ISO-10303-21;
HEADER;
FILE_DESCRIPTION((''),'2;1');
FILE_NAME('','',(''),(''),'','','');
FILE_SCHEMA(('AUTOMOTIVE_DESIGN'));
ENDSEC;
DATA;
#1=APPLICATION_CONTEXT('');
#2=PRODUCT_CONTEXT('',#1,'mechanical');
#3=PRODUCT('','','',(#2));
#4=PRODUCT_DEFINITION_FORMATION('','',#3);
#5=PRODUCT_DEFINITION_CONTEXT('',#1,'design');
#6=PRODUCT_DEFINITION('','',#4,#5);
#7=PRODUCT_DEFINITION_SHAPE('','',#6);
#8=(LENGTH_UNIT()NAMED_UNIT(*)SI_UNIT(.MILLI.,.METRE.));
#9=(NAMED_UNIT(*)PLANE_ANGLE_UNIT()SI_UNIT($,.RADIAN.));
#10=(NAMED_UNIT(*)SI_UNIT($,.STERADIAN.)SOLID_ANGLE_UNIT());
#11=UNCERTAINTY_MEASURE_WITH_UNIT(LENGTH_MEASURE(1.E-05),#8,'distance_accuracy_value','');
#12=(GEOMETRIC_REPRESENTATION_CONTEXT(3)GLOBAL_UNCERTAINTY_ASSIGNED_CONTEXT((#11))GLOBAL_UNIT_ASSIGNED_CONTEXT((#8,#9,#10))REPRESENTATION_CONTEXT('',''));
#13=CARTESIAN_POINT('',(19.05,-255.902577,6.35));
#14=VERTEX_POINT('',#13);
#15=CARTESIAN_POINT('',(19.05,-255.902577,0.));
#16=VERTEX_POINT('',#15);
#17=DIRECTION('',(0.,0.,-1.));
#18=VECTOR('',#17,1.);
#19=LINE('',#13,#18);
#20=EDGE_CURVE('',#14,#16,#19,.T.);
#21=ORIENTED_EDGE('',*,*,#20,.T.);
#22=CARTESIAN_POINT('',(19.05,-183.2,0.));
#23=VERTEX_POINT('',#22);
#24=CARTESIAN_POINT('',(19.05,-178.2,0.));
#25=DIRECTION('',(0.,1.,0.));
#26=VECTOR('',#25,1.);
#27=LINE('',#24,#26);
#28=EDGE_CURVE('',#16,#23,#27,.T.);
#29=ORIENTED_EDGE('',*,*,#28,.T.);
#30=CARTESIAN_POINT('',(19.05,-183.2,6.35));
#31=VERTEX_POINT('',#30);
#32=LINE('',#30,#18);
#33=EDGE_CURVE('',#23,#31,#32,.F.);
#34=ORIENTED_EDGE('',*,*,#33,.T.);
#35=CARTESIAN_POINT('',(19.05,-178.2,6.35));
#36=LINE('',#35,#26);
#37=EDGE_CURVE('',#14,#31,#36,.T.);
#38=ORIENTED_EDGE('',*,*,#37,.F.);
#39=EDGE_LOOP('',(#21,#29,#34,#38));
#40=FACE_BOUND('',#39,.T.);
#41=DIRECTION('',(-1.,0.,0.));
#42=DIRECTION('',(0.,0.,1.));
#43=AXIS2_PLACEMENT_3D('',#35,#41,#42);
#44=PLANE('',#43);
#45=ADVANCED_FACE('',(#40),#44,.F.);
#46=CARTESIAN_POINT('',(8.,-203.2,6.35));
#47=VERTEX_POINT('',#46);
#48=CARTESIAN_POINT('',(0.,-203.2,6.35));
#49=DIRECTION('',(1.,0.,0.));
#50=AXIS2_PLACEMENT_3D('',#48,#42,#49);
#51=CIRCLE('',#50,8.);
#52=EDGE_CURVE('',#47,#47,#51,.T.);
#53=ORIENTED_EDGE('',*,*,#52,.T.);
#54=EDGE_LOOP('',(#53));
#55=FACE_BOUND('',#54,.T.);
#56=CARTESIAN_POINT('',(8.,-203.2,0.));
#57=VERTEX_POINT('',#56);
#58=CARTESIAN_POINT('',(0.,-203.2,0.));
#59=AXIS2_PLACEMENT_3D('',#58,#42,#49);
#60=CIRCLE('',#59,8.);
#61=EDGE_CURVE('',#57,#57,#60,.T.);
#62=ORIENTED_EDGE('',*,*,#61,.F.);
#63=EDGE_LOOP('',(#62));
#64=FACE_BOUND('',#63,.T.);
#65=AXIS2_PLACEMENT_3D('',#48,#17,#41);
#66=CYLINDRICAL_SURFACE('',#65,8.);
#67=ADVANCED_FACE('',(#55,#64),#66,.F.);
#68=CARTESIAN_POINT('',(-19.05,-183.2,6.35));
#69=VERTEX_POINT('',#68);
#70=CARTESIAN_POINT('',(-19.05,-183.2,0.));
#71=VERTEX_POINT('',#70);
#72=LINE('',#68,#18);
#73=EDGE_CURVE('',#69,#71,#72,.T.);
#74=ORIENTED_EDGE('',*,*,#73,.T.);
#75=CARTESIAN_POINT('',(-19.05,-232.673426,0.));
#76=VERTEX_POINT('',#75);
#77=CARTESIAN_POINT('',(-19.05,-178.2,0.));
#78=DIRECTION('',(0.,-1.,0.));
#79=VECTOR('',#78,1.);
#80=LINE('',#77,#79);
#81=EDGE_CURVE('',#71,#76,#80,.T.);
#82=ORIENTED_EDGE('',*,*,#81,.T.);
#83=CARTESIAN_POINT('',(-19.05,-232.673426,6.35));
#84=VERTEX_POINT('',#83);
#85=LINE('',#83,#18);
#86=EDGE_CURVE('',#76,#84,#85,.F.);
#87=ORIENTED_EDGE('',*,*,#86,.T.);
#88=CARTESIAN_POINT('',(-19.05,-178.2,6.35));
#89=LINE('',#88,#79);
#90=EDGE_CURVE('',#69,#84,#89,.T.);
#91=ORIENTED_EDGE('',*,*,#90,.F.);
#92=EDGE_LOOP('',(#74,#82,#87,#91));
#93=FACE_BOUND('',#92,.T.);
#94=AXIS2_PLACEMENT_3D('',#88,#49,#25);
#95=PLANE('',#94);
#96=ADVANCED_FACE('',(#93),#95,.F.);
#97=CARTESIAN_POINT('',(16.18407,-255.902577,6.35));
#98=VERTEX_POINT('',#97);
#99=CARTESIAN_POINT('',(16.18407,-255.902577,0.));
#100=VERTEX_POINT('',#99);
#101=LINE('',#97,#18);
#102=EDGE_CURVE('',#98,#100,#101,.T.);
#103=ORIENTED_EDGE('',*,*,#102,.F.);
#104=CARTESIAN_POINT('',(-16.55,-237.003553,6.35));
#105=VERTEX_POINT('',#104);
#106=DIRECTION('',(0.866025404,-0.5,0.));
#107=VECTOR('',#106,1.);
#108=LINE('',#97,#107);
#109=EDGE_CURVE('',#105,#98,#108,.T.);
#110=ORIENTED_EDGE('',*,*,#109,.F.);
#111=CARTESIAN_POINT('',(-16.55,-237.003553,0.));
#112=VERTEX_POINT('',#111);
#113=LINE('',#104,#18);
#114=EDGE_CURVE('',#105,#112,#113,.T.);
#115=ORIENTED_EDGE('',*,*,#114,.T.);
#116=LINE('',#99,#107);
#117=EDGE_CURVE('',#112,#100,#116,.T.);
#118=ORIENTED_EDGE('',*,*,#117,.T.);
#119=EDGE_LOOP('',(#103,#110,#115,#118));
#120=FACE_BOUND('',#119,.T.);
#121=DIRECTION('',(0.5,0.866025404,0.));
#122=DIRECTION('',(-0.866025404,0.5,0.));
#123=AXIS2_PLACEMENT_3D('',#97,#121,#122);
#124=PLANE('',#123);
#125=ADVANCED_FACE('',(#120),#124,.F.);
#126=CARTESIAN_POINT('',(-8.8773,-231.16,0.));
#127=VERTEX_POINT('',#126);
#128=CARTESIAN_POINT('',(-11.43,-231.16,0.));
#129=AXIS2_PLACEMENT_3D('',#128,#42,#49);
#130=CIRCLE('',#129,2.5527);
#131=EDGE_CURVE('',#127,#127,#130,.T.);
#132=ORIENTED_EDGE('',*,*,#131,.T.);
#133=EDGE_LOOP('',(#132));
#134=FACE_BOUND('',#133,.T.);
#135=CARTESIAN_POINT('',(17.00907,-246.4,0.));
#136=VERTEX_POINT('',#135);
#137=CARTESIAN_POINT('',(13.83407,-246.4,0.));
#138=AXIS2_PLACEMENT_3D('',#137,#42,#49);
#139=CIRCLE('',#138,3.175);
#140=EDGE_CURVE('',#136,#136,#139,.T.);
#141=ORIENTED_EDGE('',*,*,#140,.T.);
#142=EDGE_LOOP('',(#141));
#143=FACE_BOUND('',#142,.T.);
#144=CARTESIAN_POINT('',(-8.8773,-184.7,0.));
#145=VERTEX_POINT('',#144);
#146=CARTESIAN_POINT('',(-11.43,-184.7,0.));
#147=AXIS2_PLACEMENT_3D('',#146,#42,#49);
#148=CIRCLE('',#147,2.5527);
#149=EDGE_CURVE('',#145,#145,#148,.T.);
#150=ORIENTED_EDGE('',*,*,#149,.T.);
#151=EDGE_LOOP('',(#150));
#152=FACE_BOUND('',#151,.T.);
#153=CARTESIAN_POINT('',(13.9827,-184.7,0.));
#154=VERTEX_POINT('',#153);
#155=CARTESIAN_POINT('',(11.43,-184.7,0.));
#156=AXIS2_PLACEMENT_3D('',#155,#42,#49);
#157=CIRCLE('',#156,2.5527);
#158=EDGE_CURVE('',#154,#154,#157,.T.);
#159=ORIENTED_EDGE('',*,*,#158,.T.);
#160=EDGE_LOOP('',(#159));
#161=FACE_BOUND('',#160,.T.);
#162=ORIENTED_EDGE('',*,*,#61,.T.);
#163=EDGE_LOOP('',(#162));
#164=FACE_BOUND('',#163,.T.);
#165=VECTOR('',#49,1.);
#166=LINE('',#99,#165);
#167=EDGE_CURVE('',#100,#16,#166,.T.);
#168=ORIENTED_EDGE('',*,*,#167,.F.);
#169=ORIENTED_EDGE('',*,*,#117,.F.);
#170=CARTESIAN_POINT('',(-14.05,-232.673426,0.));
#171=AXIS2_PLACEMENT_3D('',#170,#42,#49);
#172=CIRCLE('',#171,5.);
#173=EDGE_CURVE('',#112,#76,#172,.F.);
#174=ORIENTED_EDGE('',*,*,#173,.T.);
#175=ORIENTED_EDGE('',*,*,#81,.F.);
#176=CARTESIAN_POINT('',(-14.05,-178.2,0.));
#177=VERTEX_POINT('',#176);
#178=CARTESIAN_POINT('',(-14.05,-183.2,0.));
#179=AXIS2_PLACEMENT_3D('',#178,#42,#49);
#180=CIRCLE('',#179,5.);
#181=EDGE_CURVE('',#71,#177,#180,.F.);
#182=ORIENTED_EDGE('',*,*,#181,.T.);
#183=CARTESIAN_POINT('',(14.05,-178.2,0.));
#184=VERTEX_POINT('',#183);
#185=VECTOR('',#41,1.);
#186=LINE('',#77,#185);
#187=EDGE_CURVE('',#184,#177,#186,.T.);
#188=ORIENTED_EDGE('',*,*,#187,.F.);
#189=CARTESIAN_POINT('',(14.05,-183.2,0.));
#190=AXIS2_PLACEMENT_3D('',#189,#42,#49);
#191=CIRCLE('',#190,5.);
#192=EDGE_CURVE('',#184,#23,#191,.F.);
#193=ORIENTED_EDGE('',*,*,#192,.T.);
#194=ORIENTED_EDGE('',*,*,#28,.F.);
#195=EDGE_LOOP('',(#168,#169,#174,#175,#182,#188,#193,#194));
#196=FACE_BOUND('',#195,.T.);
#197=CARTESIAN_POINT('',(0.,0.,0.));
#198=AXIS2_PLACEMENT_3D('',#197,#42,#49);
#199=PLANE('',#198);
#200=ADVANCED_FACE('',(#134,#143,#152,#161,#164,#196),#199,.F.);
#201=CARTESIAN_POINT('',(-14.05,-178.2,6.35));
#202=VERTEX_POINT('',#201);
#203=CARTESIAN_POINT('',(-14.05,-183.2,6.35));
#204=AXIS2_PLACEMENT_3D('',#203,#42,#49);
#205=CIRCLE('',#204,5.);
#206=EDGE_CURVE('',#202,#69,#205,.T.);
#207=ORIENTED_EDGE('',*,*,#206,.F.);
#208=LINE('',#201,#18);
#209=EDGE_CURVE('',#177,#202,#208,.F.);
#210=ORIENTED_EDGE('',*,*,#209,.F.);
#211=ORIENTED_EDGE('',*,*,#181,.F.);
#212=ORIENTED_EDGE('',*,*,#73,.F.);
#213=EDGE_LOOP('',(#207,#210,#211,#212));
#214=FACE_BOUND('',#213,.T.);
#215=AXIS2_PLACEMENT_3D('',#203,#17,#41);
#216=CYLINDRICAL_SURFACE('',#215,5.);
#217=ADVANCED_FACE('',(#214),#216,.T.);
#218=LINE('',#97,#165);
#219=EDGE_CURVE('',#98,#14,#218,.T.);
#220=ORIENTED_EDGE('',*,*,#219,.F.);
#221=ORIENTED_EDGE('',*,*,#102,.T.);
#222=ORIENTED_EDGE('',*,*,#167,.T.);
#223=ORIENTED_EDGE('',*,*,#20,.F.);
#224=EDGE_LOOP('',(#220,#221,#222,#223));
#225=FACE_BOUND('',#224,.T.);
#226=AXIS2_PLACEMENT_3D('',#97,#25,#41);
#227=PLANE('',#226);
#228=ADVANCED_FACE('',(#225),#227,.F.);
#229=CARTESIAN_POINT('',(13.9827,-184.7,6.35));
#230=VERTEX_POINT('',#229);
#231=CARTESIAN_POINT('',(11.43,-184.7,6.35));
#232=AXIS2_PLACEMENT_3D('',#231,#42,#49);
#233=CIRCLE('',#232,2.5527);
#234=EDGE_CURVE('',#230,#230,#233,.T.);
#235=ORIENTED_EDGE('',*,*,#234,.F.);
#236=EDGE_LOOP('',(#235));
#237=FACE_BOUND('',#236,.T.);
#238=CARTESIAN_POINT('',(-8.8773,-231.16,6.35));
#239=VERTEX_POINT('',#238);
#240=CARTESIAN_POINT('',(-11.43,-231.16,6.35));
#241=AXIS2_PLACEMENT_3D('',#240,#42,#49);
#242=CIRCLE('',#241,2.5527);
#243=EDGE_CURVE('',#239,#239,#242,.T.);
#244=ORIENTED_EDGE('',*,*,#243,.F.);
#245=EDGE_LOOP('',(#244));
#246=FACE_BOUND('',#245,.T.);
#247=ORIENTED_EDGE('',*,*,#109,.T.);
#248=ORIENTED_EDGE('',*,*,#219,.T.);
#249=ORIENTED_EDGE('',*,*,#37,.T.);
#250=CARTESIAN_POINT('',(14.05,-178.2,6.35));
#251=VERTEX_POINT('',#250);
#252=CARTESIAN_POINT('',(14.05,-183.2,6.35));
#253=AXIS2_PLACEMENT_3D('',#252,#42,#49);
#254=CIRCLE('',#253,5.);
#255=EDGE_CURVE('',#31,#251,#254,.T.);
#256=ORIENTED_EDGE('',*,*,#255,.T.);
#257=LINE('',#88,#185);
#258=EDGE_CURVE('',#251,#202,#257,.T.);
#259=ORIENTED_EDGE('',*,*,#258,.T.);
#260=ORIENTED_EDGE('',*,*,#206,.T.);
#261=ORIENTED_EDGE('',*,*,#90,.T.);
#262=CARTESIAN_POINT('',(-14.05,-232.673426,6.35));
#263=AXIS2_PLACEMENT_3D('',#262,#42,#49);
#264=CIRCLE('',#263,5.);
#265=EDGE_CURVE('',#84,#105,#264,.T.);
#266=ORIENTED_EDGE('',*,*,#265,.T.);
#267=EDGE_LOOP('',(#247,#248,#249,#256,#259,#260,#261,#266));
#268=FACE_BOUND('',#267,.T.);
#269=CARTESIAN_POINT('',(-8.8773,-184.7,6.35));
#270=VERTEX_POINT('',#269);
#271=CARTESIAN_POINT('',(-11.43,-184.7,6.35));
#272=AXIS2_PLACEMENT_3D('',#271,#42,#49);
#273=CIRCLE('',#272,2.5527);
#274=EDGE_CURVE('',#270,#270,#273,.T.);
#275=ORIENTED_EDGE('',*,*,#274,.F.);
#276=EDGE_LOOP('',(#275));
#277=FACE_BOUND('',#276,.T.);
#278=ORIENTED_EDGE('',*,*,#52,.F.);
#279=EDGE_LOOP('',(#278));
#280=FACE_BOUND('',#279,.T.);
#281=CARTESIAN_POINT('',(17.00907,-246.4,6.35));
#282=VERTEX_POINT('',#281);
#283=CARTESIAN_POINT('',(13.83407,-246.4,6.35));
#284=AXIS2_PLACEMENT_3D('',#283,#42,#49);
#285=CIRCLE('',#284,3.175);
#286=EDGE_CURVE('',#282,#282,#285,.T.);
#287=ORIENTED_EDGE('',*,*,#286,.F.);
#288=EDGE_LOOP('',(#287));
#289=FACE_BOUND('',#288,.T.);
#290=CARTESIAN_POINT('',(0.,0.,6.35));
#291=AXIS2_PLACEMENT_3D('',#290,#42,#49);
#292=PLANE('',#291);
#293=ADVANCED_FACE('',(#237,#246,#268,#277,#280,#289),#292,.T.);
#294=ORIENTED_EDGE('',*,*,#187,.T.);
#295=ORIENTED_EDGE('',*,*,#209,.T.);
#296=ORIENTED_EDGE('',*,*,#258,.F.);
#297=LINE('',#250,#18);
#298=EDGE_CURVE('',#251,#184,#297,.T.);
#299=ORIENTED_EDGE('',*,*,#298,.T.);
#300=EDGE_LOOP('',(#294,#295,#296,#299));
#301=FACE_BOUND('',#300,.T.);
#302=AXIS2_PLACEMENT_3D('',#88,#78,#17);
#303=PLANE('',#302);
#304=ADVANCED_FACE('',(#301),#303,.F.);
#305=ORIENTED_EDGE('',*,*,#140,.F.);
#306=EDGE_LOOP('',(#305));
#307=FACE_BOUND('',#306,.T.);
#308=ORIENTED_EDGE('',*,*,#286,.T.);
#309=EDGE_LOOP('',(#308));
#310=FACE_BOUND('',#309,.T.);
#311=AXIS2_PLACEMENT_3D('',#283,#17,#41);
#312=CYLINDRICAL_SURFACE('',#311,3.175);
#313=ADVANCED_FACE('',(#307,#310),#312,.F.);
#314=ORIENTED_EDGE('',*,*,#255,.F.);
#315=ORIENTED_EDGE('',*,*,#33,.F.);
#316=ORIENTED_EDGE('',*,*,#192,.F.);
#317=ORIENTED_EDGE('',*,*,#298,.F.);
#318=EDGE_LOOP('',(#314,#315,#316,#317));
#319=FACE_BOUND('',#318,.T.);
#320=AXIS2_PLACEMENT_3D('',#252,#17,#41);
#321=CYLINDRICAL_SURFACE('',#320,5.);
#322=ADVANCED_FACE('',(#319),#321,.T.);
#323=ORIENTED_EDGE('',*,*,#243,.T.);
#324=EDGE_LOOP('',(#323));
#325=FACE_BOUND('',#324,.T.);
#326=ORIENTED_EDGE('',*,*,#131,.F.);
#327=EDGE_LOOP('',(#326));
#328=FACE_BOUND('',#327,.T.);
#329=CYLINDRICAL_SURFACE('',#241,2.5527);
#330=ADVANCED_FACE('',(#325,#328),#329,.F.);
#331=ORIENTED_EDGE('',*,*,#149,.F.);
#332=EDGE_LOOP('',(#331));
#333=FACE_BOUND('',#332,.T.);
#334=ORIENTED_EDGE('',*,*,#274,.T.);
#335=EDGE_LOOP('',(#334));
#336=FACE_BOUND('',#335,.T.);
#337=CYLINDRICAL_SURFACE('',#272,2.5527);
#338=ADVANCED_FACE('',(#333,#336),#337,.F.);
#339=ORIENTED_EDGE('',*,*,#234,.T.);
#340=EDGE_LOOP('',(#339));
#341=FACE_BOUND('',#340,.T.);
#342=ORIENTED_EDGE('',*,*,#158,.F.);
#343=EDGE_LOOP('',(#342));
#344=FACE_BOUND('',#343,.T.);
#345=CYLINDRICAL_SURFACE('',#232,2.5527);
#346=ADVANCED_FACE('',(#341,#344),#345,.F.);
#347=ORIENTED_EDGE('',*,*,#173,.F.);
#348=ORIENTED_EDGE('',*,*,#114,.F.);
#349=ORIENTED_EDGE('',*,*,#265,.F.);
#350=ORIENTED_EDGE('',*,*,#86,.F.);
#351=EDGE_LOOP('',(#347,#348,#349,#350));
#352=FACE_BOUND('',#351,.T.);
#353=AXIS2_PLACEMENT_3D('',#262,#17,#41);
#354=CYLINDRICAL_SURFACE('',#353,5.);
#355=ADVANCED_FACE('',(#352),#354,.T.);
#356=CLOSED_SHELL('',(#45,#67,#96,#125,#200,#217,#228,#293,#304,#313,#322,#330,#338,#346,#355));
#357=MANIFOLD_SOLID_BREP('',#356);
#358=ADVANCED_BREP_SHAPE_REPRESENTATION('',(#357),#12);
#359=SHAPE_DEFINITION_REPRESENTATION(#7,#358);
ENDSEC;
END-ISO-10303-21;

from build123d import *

# Parameters (mm, degrees)
SKETCH1_R                   = 3.175
SKETCH1_R_2                 = 8
BOSS_EXTRUDE1_DEPTH         = 6.35
FILLET1_R                   = 5
F_1_4_20_TAPPED_HOLE1_D     = 5.1054
F_1_4_20_TAPPED_HOLE1_DEPTH = 19.05
F_1_4_20_TAPPED_HOLE1_TIP   = 1.533816902


with BuildPart() as part:
    # Sketch1 → Boss-Extrude1 (new body)
    with BuildSketch(Plane.XY):
        Polygon((16.184070214, -255.902577388), (-19.05, -235.560177465), (-19.05, -178.2), (19.05, -178.2), (19.05, -255.902577388), align=None)
        with Locations((13.834070214, -246.4)):
            Circle(SKETCH1_R, mode=Mode.SUBTRACT)
        with Locations((0, -203.2)):
            Circle(SKETCH1_R_2, mode=Mode.SUBTRACT)
    extrude(amount=BOSS_EXTRUDE1_DEPTH)

    # Fillet1
    fillet1_edges = [part.edges().sort_by_distance(p)[0] for p in [
        (-19.05, -235.560177465, 3.175),
        (-19.05, -178.2, 3.175),
        (19.05, -178.2, 3.175),
    ]]
    fillet(fillet1_edges, radius=FILLET1_R)

    # 1/4-20 Tapped Hole1
    with Locations(Plane.XY.offset(6.35)):
        with Locations((-11.43, -184.7), (-11.43, -231.16), (11.43, -184.7)):
            Hole(F_1_4_20_TAPPED_HOLE1_D / 2, depth=F_1_4_20_TAPPED_HOLE1_DEPTH)
            with Locations((0, 0, -(F_1_4_20_TAPPED_HOLE1_DEPTH + F_1_4_20_TAPPED_HOLE1_TIP / 2))):  # 118° drill point
                Cone(0, F_1_4_20_TAPPED_HOLE1_D / 2, F_1_4_20_TAPPED_HOLE1_TIP, mode=Mode.SUBTRACT)


solid = part.part
